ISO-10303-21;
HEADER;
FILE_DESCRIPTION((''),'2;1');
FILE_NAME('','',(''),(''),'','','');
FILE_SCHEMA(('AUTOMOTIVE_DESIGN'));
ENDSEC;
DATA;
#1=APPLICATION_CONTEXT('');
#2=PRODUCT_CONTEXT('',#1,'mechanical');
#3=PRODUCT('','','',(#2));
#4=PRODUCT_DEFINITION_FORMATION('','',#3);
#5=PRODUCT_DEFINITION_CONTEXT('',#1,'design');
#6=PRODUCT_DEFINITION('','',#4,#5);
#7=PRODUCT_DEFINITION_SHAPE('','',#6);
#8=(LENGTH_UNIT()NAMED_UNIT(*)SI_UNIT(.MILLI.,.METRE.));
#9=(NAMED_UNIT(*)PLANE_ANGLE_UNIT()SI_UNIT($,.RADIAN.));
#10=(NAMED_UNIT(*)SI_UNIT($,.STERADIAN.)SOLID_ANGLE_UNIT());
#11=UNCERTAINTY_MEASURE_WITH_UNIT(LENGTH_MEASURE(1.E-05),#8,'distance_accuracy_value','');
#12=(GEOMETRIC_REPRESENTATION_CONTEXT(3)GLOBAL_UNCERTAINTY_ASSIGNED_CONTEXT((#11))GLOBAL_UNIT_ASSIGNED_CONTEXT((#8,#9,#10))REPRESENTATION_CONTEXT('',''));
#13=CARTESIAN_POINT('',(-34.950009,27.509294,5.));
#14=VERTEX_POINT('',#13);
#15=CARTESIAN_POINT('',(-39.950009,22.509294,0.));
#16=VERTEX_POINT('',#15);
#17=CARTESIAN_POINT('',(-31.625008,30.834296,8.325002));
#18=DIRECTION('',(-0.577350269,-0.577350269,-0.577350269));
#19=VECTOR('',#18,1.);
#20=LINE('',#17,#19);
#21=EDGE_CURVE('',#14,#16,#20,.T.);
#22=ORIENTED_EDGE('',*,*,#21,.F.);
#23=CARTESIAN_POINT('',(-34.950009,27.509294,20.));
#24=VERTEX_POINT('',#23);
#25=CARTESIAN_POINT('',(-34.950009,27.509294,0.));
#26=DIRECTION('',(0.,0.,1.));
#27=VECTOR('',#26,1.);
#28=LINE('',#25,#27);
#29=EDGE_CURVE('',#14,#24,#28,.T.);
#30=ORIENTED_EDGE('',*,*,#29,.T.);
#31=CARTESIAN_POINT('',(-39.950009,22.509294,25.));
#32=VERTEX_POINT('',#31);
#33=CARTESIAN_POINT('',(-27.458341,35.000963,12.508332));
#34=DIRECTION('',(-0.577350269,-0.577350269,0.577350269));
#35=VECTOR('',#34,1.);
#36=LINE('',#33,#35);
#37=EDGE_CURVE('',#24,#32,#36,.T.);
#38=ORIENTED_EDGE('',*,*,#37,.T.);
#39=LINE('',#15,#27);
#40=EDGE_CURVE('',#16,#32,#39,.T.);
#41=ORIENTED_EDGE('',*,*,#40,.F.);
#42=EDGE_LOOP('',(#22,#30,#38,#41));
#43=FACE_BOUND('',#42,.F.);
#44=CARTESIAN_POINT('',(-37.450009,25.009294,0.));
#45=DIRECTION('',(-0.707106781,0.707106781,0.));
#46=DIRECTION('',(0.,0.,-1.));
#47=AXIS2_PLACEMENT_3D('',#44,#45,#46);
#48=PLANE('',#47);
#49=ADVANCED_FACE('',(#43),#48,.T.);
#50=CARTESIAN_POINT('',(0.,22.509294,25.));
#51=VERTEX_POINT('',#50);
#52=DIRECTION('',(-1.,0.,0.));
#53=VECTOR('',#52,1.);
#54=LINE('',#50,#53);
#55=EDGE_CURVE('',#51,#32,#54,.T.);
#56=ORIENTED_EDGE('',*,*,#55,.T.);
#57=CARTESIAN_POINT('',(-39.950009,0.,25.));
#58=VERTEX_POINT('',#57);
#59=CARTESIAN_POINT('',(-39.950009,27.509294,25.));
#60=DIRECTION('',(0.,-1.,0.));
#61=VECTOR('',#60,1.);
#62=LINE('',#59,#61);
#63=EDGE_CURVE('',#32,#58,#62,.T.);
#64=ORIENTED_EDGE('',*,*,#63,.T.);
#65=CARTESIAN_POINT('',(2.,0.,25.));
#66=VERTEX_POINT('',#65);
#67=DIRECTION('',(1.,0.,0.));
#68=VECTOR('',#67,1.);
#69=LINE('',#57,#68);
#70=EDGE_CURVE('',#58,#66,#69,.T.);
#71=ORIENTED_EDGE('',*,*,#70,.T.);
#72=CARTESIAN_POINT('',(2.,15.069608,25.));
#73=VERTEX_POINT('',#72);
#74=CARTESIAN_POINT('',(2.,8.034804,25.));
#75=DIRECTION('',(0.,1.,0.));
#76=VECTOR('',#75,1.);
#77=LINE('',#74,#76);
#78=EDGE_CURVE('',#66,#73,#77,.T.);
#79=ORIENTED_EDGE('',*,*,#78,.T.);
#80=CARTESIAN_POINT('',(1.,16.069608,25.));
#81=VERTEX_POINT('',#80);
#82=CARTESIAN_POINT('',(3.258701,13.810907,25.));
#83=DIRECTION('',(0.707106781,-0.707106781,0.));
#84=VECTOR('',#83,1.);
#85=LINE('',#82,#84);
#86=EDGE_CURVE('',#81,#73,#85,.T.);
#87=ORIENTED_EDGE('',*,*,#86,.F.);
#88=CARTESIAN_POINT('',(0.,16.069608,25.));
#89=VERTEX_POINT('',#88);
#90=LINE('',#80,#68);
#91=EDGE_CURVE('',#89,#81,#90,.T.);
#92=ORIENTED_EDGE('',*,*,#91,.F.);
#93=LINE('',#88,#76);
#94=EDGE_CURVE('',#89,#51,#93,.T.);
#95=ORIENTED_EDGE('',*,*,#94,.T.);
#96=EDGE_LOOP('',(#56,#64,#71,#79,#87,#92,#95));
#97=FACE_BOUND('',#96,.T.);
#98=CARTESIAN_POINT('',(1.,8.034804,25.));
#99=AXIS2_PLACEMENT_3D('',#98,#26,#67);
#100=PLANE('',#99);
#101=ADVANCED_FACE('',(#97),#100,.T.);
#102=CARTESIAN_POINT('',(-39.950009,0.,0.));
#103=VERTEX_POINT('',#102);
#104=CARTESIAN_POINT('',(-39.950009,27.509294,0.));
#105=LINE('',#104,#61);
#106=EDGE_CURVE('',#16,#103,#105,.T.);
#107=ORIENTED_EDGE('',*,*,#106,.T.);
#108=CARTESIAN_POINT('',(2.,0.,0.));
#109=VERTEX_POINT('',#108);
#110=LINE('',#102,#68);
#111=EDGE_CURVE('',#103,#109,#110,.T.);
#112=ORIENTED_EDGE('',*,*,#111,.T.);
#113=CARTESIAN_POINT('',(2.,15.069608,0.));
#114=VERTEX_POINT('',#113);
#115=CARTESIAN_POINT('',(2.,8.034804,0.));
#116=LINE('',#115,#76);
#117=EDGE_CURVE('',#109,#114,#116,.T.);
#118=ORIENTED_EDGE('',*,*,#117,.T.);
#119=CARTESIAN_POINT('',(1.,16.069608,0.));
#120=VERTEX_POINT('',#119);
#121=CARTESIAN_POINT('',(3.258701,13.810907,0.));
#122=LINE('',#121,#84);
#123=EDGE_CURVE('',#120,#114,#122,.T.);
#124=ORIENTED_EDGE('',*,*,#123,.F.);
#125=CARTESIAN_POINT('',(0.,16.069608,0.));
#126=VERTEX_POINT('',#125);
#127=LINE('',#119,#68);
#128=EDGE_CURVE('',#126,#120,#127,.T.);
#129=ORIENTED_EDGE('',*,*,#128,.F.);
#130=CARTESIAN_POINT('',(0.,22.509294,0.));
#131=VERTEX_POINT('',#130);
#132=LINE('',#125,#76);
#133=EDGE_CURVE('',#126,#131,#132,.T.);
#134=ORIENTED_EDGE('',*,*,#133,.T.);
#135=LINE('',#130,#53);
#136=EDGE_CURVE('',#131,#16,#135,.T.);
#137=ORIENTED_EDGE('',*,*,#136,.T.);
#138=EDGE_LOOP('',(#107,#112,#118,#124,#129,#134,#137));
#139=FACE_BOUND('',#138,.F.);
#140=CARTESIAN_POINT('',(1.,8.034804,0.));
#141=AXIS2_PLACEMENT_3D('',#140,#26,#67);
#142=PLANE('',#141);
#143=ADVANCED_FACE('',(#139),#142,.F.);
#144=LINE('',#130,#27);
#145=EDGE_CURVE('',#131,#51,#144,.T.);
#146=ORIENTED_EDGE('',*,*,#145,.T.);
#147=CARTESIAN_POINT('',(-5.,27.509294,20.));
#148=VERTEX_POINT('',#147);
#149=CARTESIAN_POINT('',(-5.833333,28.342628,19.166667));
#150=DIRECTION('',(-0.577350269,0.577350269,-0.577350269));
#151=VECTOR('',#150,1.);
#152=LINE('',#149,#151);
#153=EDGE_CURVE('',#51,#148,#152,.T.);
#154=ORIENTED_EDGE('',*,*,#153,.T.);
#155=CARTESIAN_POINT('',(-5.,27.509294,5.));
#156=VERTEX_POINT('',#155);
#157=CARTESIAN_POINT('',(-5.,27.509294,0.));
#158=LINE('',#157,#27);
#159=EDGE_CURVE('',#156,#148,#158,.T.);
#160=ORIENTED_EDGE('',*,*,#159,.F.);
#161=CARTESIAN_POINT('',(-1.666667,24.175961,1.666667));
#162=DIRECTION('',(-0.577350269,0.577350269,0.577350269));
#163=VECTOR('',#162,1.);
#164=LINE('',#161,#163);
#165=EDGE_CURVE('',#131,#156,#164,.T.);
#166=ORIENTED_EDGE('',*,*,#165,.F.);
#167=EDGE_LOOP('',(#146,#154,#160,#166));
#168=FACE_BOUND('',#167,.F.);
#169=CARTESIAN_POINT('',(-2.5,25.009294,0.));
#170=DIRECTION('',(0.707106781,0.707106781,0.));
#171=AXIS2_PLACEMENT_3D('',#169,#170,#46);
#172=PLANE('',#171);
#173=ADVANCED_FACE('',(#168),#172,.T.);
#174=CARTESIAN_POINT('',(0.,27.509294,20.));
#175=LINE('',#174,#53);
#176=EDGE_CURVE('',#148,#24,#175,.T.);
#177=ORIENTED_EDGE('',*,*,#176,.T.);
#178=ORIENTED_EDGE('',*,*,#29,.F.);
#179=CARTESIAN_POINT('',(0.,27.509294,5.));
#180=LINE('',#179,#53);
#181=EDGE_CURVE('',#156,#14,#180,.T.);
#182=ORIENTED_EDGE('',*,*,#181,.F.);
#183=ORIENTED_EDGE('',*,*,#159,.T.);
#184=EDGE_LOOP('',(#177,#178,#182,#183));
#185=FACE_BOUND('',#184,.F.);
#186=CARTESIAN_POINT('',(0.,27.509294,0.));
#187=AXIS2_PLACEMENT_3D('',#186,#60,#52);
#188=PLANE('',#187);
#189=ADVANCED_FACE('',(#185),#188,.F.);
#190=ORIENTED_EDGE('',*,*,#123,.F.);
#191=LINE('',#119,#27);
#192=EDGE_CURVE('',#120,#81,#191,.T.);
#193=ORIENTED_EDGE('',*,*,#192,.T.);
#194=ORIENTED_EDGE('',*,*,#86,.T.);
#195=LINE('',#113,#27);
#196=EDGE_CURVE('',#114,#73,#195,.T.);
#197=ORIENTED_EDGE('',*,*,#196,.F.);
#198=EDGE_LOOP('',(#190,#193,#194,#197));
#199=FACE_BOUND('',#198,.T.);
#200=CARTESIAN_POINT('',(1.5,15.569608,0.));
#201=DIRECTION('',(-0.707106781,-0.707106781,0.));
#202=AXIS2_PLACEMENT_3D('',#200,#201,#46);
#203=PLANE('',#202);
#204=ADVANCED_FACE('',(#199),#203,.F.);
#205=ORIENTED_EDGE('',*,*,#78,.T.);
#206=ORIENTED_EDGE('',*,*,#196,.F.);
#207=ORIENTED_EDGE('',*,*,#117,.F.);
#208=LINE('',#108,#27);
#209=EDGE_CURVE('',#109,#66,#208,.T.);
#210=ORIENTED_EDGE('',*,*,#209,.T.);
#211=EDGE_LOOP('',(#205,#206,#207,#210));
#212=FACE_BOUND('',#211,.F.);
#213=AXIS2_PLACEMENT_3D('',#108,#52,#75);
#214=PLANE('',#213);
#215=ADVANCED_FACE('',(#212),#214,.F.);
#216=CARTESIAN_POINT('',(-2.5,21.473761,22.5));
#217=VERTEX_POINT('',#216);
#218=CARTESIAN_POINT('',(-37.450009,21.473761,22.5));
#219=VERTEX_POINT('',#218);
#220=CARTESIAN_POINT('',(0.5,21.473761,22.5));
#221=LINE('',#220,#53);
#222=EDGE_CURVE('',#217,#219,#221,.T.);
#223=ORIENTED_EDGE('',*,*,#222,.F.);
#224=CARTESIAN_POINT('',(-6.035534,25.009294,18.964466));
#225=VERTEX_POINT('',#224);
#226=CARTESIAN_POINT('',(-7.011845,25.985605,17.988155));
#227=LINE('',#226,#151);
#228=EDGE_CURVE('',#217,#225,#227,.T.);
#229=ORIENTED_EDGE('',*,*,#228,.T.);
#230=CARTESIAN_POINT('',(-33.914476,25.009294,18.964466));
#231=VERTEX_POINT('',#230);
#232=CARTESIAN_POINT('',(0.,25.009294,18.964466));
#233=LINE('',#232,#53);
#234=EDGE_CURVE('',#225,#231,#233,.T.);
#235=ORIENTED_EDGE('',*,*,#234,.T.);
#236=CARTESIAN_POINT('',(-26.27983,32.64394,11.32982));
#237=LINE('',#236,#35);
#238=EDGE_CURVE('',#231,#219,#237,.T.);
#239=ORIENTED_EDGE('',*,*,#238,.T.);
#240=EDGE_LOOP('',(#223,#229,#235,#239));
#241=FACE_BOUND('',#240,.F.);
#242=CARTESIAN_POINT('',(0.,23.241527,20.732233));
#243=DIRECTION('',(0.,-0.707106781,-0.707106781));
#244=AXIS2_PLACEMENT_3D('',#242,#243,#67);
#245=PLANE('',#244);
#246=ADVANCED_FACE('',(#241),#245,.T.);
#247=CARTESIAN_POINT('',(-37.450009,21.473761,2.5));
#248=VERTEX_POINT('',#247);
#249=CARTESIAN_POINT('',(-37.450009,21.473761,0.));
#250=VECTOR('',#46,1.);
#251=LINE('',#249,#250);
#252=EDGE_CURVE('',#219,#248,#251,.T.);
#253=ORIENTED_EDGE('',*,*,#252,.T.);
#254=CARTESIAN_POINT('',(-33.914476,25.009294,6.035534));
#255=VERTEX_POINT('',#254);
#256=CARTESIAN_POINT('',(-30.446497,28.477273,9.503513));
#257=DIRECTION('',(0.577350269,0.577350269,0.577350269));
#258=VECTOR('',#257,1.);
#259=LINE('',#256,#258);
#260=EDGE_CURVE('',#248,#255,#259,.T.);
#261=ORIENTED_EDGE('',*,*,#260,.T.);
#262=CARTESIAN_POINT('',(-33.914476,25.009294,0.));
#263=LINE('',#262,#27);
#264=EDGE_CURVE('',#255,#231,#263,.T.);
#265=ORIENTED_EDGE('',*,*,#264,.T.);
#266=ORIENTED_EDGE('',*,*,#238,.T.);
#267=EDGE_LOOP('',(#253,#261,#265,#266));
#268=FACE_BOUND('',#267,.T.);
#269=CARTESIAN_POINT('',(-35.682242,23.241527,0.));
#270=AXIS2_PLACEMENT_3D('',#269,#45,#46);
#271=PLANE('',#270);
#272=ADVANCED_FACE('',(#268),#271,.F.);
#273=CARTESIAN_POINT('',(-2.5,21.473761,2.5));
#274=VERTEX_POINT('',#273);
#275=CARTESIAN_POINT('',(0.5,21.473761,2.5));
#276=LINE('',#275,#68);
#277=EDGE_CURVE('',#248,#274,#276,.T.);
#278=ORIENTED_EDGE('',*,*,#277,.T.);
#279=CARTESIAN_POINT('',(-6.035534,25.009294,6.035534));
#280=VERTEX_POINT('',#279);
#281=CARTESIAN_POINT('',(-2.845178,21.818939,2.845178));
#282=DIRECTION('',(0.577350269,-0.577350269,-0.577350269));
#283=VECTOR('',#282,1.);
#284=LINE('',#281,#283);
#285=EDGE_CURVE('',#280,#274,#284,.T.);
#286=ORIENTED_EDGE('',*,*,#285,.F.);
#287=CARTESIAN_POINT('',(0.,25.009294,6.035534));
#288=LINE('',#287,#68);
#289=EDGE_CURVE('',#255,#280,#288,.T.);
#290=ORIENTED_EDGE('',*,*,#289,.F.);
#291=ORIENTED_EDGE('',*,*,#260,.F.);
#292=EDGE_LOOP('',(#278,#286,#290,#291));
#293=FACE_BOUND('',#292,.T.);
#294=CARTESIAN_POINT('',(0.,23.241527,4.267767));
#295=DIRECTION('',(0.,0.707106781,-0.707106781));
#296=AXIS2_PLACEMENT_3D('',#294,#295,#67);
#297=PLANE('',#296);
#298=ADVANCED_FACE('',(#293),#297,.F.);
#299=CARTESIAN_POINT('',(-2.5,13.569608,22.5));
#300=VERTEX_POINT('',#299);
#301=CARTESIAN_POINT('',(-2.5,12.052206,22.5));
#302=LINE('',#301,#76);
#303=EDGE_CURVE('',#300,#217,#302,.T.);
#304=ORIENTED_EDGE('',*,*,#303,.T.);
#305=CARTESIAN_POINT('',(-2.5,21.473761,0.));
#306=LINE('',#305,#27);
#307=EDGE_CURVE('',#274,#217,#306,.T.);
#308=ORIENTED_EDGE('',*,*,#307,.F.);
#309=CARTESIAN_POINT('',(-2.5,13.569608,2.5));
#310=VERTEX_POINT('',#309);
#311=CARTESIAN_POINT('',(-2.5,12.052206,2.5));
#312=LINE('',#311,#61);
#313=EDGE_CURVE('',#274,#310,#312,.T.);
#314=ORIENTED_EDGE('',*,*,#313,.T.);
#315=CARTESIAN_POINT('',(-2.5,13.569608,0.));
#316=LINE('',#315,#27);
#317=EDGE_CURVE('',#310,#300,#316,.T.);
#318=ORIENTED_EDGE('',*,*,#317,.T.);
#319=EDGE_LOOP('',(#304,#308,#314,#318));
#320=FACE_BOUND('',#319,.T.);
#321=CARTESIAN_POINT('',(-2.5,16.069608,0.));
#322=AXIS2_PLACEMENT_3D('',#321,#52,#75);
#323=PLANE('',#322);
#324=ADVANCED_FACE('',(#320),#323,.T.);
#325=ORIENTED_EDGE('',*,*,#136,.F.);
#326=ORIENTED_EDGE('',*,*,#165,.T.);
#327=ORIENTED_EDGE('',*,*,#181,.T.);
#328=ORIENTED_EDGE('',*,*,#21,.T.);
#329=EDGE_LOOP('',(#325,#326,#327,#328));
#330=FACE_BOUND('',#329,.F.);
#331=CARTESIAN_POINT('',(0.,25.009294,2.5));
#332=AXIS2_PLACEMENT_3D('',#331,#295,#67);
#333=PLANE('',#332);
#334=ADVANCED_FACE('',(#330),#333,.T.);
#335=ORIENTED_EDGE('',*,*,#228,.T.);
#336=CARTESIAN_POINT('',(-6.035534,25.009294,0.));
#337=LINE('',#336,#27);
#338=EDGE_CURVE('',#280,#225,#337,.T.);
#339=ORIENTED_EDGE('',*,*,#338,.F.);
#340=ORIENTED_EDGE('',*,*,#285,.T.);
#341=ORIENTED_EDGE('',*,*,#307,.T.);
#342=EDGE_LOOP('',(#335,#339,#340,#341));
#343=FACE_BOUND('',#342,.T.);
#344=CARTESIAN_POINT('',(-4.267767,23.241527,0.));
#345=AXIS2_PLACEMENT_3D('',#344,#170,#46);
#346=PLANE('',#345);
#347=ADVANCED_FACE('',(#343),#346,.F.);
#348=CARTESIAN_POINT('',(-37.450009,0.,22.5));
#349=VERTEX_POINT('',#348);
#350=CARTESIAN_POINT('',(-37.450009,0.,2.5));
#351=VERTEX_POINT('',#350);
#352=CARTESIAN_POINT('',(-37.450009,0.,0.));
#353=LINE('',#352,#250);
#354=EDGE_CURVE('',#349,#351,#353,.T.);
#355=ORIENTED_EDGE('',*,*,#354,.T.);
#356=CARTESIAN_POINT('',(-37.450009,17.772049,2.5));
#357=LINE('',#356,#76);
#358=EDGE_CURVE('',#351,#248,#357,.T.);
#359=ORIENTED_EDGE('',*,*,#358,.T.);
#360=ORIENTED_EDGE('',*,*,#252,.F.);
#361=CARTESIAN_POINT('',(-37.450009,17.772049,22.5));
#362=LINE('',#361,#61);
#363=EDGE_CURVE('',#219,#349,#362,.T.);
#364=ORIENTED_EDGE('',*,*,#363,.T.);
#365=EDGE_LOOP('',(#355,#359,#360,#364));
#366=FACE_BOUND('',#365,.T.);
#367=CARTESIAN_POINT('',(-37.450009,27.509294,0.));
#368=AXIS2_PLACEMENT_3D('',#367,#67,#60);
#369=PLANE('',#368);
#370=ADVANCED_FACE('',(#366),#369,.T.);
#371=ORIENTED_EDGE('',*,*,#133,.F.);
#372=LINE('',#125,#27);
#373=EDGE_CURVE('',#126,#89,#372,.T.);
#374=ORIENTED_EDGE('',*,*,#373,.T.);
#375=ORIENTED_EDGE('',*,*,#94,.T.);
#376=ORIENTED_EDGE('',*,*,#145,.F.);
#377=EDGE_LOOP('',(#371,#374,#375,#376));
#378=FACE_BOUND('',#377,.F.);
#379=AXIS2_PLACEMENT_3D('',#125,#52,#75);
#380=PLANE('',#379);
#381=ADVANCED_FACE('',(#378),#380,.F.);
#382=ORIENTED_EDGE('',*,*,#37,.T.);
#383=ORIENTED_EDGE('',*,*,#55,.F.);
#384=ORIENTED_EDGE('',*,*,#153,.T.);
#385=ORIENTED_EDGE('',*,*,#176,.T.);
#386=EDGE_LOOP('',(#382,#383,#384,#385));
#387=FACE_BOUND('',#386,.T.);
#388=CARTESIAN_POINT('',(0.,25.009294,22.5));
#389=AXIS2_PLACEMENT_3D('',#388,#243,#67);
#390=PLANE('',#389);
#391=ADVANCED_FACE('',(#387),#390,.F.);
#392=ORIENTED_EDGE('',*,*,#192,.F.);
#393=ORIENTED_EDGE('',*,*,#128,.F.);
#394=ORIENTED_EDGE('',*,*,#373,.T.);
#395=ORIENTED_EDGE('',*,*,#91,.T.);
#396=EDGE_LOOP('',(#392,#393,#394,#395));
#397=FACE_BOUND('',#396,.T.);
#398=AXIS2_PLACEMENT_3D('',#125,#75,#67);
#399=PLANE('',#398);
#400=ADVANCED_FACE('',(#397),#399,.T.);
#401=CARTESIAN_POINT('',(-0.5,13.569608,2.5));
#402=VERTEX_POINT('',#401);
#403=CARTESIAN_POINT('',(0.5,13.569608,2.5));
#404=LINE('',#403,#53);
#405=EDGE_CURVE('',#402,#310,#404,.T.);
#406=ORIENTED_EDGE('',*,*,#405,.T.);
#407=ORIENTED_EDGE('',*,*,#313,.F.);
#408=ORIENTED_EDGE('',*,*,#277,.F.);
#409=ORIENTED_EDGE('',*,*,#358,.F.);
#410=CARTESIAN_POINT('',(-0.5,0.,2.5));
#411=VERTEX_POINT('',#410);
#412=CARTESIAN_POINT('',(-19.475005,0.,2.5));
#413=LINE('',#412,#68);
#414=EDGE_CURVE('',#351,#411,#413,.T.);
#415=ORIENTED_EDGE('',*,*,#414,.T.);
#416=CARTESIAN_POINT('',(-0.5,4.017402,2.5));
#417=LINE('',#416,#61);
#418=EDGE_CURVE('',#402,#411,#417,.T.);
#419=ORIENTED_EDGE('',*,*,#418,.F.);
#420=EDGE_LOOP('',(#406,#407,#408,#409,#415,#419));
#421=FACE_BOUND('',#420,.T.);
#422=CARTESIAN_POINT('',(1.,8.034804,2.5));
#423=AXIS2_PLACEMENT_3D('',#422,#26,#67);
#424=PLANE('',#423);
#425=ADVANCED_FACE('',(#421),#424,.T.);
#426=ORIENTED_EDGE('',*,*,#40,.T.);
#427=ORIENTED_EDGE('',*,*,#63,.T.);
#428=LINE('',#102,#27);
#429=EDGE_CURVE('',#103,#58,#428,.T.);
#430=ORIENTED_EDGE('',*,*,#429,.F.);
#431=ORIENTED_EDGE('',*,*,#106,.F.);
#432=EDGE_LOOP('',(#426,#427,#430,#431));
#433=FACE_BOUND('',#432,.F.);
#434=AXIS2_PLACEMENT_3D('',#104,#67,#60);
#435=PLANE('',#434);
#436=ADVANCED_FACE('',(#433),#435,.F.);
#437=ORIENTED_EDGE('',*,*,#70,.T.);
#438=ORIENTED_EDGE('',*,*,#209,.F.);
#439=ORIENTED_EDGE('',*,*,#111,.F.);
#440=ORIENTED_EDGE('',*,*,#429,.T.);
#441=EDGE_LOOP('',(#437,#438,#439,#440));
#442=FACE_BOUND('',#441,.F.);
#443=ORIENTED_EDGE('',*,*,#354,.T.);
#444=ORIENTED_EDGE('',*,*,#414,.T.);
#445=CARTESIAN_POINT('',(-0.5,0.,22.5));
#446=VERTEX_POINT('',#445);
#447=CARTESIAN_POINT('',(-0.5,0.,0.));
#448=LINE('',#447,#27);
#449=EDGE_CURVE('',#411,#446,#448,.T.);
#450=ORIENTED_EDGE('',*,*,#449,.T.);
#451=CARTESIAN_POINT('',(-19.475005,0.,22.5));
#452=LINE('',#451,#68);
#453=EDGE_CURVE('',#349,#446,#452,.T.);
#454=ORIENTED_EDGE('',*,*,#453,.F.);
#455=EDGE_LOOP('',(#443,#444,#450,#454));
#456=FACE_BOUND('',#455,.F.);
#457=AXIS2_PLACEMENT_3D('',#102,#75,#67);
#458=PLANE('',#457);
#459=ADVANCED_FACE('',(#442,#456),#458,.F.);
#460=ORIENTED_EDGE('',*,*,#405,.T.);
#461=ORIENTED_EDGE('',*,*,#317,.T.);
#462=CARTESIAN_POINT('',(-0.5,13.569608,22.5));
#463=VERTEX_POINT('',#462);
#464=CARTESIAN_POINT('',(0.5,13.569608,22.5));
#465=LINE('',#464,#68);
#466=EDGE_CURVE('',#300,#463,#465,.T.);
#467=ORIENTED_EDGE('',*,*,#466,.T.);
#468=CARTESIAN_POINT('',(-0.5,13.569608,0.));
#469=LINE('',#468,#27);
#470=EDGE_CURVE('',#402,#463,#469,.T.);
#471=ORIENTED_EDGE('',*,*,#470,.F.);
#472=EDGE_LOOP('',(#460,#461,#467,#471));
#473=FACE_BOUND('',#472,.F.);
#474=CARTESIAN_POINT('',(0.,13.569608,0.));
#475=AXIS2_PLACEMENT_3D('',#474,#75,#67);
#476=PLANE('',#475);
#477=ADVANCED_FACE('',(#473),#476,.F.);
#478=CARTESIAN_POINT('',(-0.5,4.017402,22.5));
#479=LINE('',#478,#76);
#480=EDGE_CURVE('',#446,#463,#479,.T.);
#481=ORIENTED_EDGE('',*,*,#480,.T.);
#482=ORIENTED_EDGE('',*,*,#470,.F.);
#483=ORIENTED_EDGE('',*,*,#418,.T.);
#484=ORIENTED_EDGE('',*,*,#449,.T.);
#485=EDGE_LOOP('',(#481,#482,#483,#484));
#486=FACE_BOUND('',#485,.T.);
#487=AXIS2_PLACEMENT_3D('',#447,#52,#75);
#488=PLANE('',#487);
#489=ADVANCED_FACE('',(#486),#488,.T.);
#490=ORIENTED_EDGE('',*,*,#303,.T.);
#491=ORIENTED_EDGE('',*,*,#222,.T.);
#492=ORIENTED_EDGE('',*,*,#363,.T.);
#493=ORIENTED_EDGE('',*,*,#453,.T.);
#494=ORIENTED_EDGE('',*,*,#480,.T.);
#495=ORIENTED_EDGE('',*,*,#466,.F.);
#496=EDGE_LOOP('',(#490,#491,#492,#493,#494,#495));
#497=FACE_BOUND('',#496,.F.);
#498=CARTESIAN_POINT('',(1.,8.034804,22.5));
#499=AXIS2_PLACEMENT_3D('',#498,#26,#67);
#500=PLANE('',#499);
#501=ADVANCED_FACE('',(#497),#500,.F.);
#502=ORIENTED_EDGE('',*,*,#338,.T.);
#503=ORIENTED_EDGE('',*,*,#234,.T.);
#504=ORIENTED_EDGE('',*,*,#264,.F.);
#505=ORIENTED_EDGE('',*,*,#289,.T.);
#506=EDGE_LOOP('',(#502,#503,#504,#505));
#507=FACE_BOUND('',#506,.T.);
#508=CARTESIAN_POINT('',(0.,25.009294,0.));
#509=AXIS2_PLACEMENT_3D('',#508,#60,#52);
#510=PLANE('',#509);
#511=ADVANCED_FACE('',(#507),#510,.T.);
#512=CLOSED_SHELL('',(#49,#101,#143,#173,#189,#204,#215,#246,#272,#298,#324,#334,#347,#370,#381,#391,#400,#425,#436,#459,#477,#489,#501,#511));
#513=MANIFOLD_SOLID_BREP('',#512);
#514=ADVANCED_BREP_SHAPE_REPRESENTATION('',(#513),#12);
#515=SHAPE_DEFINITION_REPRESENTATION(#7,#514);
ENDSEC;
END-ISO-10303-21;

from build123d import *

# Parameters (mm, degrees)
F0_W     = 2
F0_H     = 16.0696078092
F1_DEPTH = 25
F2_SIZE  = 5
F3_SIZE  = 1
F4_T     = -2.5


with BuildPart() as f1:
    # F0 (on Top) → F1 (new body)
    with BuildSketch(Plane.XY):
        with Locations((1, 8.0348039046)):
            Rectangle(F0_W, F0_H)
        Polygon((-17.9578904063, 0), (0, 0), (0, 16.0696078092), (0, 27.5092944503), (-39.9500094354, 27.5092944503), (-39.9500094354, 0), align=None)
    extrude(amount=F1_DEPTH)

    # F2
    f2_edges = [f1.edges().sort_by_distance(p)[0] for p in [
        (0, 27.509294, 12.5),
        (-39.950009, 27.509294, 12.5),
        (-19.975005, 27.509294, 0),
        (-19.975005, 27.509294, 25),
    ]]
    chamfer(f2_edges, length=F2_SIZE)

    # F3
    f3_edges = [f1.edges().sort_by_distance(p)[0] for p in [
        (2, 16.069608, 12.5),
    ]]
    chamfer(f3_edges, length=F3_SIZE)

    # F4
    f4_openings = [f1.faces().sort_by_distance(p)[0] for p in [
        (-18.975005, 0, 12.5),
    ]]
    offset(amount=F4_T, openings=f4_openings, kind=Kind.INTERSECTION)


solid = f1.part
